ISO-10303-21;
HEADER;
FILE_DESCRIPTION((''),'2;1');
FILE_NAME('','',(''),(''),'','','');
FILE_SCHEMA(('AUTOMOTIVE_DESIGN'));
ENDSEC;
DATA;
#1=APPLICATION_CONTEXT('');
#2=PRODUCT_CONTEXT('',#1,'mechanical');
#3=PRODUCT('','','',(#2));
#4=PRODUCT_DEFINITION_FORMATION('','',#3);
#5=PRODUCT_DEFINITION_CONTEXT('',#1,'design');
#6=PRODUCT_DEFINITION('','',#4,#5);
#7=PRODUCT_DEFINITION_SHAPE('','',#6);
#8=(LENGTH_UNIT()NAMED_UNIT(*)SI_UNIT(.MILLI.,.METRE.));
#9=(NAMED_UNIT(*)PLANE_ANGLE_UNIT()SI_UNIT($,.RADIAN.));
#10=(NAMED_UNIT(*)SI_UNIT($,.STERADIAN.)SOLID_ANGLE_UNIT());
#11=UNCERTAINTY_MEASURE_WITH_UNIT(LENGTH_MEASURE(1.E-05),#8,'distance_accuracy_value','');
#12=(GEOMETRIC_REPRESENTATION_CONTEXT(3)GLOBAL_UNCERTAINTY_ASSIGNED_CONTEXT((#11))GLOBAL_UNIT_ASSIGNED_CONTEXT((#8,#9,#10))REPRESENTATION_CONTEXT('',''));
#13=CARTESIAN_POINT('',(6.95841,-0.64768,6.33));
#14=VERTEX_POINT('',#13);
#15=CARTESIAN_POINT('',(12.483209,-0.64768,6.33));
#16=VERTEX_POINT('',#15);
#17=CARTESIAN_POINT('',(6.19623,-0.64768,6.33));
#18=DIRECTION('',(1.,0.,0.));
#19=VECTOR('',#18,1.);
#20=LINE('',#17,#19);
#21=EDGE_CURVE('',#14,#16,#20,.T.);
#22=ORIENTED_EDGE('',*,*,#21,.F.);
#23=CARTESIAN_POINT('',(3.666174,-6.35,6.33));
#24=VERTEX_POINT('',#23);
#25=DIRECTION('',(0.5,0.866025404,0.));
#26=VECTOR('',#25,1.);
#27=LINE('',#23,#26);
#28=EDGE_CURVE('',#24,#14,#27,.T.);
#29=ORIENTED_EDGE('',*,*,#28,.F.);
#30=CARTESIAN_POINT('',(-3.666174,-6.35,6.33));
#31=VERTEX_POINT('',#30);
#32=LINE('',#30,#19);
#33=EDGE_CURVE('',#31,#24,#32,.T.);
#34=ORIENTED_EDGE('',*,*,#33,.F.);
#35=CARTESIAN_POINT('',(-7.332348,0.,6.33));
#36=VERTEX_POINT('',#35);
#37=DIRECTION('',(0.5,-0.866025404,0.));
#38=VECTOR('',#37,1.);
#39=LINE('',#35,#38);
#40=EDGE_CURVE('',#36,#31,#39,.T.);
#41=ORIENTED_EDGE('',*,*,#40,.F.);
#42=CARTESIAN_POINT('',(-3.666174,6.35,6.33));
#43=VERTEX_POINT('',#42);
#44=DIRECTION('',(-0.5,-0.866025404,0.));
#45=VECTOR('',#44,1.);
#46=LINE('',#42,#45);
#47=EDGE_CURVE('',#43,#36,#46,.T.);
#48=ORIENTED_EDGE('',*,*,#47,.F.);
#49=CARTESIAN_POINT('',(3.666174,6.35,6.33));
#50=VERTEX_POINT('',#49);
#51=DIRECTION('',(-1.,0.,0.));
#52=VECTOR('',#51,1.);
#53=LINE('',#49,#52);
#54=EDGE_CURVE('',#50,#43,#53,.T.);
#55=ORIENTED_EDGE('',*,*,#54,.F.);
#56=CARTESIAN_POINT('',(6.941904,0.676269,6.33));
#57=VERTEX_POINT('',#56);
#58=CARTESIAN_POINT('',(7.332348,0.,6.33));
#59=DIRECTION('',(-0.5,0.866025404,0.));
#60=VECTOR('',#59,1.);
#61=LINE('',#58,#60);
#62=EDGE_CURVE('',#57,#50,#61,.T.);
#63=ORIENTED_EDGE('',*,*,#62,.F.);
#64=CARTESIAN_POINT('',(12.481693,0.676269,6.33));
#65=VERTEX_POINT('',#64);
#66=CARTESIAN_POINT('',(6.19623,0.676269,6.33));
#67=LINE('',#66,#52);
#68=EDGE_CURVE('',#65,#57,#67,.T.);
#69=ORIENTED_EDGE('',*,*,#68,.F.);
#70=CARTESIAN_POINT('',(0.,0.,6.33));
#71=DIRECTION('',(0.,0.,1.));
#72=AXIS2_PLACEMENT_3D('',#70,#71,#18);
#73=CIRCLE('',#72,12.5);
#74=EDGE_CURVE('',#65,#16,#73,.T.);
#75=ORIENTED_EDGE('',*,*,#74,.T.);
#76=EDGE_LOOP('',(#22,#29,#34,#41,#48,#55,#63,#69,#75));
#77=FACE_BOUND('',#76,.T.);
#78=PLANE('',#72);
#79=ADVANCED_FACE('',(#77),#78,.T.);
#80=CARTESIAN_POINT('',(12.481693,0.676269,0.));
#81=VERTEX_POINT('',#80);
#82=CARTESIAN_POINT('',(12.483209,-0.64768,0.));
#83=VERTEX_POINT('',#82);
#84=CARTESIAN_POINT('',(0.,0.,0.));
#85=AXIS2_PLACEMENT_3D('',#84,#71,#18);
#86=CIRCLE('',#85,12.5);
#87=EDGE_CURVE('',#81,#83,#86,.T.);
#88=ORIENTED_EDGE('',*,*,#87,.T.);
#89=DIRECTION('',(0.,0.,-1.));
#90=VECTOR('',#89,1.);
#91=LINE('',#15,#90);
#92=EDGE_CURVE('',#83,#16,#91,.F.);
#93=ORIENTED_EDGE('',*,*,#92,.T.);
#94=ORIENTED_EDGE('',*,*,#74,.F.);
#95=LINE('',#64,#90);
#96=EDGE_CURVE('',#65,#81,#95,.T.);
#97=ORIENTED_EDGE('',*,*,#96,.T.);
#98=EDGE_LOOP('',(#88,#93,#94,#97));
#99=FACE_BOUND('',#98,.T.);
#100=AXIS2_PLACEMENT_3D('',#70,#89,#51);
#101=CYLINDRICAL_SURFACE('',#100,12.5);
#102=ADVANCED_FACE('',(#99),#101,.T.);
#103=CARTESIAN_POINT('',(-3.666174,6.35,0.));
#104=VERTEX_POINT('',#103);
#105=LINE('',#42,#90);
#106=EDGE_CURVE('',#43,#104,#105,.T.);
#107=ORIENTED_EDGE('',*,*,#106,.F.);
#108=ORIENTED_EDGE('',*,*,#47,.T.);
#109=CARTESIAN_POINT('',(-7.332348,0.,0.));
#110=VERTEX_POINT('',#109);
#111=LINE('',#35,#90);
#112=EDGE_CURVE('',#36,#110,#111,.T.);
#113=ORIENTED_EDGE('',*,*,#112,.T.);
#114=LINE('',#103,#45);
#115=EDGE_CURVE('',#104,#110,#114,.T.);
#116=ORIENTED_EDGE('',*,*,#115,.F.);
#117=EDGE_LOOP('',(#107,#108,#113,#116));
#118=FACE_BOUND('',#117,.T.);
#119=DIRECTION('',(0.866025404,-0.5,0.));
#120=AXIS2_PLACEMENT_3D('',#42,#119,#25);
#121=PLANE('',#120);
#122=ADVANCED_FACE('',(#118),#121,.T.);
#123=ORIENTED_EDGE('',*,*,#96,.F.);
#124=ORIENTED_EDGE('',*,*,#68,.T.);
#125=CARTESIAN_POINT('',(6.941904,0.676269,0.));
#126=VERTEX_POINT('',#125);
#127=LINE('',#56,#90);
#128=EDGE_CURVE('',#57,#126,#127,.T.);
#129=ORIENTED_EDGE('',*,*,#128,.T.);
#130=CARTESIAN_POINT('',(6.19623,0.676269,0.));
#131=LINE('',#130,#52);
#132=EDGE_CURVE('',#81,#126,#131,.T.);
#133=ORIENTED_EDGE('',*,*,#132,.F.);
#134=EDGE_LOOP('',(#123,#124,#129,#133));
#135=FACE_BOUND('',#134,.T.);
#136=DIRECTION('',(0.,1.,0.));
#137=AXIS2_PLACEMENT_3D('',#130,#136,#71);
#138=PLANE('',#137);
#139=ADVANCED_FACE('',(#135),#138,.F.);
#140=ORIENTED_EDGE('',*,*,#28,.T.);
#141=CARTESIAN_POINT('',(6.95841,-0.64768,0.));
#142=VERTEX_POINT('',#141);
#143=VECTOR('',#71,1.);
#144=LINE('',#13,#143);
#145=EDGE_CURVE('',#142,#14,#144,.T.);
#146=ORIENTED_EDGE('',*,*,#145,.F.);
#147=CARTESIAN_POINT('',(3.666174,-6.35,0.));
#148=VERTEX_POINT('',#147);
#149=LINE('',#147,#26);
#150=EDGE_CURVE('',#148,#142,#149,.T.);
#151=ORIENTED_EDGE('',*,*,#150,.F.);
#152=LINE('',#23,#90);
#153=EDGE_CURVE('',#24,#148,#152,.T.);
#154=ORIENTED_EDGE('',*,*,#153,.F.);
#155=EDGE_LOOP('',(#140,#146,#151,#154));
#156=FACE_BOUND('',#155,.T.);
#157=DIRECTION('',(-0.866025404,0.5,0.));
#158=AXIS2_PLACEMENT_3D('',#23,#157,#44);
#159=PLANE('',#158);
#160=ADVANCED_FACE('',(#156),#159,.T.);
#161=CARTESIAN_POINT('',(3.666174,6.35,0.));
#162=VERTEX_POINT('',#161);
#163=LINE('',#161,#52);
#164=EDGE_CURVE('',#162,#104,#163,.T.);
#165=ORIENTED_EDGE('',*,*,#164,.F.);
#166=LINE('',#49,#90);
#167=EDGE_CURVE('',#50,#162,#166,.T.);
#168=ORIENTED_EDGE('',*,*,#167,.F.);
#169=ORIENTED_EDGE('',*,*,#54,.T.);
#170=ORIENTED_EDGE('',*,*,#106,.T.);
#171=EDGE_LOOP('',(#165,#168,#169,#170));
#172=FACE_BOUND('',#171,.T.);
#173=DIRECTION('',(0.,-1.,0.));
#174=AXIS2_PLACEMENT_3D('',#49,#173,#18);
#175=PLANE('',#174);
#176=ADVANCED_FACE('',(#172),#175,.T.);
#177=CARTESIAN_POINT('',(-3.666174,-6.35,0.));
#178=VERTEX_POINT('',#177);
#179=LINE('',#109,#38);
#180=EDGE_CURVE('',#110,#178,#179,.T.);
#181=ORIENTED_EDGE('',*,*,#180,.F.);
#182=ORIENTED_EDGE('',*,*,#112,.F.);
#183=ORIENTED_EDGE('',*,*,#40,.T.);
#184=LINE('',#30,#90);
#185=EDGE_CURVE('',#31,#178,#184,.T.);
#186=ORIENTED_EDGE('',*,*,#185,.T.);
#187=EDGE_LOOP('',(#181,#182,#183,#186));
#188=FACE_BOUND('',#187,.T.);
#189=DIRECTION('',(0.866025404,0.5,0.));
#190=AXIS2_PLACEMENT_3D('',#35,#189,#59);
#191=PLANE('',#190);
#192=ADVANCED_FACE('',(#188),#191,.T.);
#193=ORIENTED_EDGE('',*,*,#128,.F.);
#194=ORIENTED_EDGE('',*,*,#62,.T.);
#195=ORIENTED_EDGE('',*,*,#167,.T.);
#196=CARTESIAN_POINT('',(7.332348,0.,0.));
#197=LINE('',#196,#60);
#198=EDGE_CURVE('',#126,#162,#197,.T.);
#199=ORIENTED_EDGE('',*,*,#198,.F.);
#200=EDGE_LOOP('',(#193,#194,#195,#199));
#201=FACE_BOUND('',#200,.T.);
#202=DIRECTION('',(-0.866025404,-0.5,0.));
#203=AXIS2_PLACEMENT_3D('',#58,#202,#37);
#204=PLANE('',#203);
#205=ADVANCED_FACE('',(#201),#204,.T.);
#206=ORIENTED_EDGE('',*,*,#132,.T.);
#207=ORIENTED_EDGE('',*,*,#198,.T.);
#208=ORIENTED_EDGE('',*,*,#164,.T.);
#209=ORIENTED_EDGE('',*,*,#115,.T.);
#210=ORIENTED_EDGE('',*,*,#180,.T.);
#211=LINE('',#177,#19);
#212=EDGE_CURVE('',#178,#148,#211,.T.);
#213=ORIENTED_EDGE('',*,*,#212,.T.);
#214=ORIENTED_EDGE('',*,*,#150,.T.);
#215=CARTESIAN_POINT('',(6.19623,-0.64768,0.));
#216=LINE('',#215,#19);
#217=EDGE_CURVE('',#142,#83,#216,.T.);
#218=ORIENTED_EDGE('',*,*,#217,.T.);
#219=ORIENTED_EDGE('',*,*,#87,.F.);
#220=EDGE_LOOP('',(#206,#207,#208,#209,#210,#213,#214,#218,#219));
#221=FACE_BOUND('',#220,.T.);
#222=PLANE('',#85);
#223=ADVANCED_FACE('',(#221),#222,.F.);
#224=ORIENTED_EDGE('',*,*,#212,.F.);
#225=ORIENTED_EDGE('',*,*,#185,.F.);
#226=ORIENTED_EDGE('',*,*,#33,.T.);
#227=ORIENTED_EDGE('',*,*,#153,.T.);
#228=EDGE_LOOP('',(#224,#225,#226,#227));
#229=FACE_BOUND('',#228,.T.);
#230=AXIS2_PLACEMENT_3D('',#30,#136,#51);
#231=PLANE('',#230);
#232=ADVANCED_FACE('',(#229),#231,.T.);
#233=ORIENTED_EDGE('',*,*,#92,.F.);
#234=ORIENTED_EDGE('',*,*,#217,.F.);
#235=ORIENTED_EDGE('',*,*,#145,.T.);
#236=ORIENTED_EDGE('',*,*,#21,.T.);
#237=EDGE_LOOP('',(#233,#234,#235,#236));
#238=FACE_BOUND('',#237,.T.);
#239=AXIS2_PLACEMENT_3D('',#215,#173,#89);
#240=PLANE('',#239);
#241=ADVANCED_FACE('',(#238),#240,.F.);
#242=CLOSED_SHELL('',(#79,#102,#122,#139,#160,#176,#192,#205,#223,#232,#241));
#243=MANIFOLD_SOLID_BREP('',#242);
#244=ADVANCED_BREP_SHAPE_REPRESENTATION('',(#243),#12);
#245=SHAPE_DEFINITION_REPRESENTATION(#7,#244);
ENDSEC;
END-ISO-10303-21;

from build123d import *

# Parameters (mm, degrees)
SKETCH1_R           = 12.5
BOSS_EXTRUDE1_DEPTH = 6.33
SKETCH2_W           = 8.461167653
SKETCH2_H           = 1.32394958
CUT_EXTRUDE1_DEPTH  = 7.33


with BuildPart() as part:
    # Sketch1 → Boss-Extrude1 (new body)
    with BuildSketch(Plane.XY):
        Circle(SKETCH1_R)
        Polygon((7.332348419, 0), (3.666174209, 6.35), (-3.666174209, 6.35), (-7.332348419, 0), (-3.666174209, -6.35), (3.666174209, -6.35), align=None, mode=Mode.SUBTRACT)
    extrude(amount=BOSS_EXTRUDE1_DEPTH)

    # Sketch2 → Cut-Extrude1 (cut, through all)
    with BuildSketch(Plane.XY.offset(6.33)):
        with Locations((10.426813654, 0.014294586)):
            Rectangle(SKETCH2_W, SKETCH2_H)
    extrude(amount=-CUT_EXTRUDE1_DEPTH, mode=Mode.SUBTRACT)


solid = part.part
